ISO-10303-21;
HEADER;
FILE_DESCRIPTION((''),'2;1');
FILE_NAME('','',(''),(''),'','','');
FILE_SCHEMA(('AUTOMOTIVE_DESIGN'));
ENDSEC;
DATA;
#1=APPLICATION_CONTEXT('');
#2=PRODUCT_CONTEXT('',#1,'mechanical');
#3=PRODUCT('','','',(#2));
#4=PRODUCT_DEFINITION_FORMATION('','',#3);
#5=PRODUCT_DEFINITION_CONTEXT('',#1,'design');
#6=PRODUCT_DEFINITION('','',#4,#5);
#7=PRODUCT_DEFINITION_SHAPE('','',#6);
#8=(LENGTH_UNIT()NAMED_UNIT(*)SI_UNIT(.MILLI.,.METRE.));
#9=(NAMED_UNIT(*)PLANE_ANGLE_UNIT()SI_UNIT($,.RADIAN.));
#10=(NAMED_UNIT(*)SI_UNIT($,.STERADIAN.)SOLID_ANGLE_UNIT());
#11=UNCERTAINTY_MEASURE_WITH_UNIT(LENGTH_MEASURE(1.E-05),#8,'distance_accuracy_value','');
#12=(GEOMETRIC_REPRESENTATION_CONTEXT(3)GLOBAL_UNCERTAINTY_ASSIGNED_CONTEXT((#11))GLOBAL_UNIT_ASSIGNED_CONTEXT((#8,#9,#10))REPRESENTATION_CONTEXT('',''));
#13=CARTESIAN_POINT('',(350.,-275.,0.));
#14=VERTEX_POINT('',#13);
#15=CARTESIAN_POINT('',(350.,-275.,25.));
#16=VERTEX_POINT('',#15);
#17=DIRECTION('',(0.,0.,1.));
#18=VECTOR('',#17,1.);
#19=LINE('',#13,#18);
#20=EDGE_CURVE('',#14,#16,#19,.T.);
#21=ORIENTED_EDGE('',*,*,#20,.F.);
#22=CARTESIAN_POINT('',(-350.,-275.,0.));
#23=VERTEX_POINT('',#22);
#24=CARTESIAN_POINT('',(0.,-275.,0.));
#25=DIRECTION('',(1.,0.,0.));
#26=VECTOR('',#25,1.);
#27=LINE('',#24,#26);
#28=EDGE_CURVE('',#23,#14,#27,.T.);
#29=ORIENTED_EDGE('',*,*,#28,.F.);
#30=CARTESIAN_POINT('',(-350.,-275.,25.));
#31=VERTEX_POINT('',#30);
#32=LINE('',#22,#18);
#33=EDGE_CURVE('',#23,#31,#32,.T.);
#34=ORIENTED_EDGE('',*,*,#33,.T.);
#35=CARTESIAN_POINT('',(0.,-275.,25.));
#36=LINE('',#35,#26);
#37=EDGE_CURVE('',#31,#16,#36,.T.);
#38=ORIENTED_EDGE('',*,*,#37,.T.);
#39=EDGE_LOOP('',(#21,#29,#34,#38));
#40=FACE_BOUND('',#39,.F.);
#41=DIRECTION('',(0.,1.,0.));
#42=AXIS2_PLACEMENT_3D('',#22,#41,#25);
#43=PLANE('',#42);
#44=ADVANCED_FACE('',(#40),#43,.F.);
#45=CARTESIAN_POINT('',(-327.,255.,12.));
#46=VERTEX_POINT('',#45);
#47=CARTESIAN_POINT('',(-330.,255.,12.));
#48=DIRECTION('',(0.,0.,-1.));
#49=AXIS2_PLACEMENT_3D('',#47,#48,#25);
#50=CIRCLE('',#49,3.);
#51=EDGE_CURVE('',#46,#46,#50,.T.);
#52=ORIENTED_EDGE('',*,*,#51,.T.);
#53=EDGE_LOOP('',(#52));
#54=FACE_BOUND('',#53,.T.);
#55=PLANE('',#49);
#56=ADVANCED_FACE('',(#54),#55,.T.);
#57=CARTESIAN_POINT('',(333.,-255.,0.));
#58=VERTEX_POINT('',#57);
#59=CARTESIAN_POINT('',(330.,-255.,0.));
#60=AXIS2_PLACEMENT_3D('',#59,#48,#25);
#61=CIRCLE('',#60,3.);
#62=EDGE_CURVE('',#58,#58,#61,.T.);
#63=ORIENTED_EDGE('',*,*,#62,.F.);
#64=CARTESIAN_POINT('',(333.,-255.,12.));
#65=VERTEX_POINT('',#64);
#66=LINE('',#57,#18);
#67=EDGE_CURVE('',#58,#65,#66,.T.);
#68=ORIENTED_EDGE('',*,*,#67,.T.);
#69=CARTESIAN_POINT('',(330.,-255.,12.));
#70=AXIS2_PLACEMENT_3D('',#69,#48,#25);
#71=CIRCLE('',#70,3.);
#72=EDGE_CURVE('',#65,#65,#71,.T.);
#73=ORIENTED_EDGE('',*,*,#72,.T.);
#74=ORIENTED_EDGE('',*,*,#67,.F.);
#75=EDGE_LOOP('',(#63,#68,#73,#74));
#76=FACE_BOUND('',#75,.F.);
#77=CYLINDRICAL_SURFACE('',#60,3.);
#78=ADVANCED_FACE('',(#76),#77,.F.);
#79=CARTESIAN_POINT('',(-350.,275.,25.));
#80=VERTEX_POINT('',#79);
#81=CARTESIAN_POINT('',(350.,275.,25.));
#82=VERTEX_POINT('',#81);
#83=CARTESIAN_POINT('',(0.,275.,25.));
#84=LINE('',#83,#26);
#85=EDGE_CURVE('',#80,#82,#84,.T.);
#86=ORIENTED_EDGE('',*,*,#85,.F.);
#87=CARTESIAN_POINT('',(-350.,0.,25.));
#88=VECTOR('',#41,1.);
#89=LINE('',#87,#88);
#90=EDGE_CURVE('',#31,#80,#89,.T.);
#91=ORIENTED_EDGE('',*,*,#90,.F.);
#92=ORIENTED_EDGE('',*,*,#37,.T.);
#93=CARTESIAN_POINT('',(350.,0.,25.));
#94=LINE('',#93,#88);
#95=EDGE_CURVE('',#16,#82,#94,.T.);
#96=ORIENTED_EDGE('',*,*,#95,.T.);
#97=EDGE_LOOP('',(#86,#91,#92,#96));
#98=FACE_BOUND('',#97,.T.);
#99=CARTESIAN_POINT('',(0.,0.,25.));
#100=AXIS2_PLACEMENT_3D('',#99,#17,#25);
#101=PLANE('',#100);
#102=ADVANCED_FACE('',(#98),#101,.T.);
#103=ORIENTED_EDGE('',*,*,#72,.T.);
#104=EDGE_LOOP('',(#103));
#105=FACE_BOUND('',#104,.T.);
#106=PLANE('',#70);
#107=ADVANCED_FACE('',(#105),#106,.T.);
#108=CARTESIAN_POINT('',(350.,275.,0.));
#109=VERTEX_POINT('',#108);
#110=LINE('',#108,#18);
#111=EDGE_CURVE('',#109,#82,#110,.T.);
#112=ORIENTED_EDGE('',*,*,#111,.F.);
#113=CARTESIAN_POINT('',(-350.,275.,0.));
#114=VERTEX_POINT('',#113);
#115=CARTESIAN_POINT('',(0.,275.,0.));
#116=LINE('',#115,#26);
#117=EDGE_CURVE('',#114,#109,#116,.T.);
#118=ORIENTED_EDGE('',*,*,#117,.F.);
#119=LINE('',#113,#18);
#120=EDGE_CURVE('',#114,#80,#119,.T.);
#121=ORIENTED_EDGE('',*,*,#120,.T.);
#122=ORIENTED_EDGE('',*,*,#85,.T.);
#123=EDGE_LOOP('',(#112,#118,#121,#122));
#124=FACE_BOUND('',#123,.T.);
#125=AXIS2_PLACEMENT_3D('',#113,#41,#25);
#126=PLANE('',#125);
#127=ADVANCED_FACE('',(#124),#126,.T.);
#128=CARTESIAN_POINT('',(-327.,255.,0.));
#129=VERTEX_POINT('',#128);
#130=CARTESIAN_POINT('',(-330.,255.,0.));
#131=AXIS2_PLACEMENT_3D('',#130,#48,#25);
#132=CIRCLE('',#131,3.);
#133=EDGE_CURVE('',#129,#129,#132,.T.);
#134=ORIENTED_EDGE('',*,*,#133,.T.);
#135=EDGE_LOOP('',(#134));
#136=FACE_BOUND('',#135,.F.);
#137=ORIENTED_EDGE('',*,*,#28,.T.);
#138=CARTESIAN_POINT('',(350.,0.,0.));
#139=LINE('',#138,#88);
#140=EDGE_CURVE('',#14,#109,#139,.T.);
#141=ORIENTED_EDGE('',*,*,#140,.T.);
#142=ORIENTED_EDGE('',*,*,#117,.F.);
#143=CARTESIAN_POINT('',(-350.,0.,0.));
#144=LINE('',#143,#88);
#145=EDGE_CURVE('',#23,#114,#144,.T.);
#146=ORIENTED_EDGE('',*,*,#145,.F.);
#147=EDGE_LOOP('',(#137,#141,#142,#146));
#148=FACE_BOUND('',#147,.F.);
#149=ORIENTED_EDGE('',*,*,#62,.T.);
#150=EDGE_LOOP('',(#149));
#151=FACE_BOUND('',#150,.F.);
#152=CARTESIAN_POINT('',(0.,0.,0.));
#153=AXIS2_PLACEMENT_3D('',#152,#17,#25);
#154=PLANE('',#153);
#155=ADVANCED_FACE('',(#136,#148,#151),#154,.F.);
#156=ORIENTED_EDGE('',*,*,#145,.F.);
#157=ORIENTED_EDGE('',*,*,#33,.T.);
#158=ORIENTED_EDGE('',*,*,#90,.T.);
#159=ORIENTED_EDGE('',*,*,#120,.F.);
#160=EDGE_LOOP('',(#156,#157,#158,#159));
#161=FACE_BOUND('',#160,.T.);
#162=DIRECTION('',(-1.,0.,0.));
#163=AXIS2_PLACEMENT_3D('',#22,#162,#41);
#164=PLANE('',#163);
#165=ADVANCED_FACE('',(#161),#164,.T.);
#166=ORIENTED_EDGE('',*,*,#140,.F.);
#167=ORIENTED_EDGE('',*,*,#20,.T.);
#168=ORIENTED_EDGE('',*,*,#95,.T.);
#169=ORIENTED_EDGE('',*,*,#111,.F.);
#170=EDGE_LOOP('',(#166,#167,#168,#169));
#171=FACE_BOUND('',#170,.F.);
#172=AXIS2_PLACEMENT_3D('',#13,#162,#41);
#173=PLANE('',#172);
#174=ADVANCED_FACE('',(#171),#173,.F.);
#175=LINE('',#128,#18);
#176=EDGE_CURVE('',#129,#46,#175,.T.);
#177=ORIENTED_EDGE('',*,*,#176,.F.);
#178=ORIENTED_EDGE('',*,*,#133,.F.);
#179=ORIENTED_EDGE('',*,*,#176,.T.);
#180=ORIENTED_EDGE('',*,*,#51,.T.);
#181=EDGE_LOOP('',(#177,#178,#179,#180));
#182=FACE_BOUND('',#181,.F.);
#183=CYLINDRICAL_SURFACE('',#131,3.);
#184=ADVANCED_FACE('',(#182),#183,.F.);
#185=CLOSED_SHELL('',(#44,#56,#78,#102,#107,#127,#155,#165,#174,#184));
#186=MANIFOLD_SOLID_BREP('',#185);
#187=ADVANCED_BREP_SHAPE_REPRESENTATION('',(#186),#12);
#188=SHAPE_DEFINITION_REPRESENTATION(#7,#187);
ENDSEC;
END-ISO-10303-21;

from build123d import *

# Parameters (mm, degrees)
F0_W     = 700
F0_H     = 550
F1_DEPTH = 25
F2_R     = 3
F3_DEPTH = 12
F4_R     = 3
F5_DEPTH = 12


with BuildPart() as f1:
    # F0 (on Top) → F1 (new body)
    with BuildSketch(Plane.XY):
        Rectangle(F0_W, F0_H)
    extrude(amount=F1_DEPTH)

    # F2 (on face) → F3 (cut)
    with BuildSketch(Plane(origin=(0, 0, 0), x_dir=(1, 0, 0), z_dir=(0, 0, -1))):
        with Locations((330, 255)):
            Circle(F2_R)
    extrude(amount=-F3_DEPTH, mode=Mode.SUBTRACT)

    # F4 (on face) → F5 (cut)
    with BuildSketch(Plane(origin=(0, 0, 0), x_dir=(1, 0, 0), z_dir=(0, 0, -1))):
        with Locations((-330, -255)):
            Circle(F4_R)
    extrude(amount=-F5_DEPTH, mode=Mode.SUBTRACT)


solid = f1.part
